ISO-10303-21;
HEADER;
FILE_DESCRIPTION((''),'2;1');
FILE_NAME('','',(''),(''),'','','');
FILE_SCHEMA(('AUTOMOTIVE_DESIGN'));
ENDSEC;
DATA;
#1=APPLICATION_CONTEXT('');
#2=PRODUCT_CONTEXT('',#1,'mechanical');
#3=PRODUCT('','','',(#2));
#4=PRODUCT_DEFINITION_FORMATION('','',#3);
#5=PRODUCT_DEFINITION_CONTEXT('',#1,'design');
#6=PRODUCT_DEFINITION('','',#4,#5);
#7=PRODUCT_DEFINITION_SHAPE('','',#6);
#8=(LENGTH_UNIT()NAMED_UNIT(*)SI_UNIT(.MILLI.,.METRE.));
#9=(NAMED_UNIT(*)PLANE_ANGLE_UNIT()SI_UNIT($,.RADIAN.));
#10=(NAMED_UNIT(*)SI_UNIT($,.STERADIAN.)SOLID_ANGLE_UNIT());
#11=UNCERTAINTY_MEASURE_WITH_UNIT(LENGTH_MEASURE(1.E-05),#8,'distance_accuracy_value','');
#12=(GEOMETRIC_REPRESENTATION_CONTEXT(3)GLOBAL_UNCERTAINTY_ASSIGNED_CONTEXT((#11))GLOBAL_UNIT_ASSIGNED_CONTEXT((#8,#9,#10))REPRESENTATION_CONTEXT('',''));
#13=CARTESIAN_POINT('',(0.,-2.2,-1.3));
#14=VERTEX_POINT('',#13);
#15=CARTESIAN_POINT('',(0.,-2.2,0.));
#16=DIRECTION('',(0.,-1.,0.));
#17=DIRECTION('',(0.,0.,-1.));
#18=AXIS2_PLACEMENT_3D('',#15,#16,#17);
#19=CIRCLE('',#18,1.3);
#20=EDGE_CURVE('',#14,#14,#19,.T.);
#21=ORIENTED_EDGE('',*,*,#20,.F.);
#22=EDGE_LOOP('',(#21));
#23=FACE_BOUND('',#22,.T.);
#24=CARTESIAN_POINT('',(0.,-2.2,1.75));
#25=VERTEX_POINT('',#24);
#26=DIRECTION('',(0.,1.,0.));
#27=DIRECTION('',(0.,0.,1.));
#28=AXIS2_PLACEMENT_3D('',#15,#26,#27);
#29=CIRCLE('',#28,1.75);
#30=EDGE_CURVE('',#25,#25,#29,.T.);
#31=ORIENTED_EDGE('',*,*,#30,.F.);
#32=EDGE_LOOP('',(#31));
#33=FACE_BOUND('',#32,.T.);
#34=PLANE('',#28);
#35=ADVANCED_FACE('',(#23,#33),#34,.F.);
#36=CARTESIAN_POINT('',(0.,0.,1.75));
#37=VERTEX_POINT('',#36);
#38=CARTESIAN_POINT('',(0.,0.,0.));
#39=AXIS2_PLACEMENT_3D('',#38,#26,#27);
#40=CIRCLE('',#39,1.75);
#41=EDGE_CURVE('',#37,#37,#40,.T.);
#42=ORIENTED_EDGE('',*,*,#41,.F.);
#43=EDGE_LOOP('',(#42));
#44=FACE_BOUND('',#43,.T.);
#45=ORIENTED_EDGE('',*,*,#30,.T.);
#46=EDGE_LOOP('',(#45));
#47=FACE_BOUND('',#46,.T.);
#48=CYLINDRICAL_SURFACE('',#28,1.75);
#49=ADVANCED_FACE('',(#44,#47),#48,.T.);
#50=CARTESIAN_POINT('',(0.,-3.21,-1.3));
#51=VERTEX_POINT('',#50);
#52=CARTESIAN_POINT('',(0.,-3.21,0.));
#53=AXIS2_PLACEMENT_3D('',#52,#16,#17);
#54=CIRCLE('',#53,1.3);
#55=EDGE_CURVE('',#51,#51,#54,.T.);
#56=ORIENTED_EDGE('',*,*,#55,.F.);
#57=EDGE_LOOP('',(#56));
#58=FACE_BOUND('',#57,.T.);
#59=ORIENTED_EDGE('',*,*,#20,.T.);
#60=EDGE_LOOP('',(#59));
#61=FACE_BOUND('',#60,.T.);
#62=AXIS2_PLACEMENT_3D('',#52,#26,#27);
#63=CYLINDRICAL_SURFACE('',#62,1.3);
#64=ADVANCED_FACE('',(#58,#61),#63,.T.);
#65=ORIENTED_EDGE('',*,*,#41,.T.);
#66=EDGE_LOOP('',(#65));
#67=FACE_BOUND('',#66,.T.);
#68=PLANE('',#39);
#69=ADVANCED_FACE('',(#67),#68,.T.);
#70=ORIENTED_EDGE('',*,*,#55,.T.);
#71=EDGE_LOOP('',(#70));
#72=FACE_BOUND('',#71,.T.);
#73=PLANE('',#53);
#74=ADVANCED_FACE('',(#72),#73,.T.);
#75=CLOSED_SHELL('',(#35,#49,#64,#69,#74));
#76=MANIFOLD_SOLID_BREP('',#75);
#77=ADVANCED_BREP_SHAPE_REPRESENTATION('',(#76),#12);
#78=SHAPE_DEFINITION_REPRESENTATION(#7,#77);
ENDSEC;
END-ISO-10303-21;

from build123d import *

# Parameters (mm, degrees)
SKETCH1_R           = 1.75
BOSS_EXTRUDE1_DEPTH = 2.2
SKETCH2_R           = 1.3
BOSS_EXTRUDE2_DEPTH = 1.01


with BuildPart() as part:
    # Sketch1 → Boss-Extrude1 (new body)
    with BuildSketch(Plane(origin=(0, 0, 0), x_dir=(1, 0, 0), z_dir=(0, 1, 0))):
        with Locations(Location((0, 0, 0), (0, 0, 270))):
            Circle(SKETCH1_R)
    extrude(amount=-BOSS_EXTRUDE1_DEPTH)

    # Sketch2 → Boss-Extrude2 (add)
    with BuildSketch(Plane.XZ.offset(2.2)):
        with Locations(Location((0, 0, 0), (0, 0, 270))):
            Circle(SKETCH2_R)
    extrude(amount=BOSS_EXTRUDE2_DEPTH)


solid = part.part
